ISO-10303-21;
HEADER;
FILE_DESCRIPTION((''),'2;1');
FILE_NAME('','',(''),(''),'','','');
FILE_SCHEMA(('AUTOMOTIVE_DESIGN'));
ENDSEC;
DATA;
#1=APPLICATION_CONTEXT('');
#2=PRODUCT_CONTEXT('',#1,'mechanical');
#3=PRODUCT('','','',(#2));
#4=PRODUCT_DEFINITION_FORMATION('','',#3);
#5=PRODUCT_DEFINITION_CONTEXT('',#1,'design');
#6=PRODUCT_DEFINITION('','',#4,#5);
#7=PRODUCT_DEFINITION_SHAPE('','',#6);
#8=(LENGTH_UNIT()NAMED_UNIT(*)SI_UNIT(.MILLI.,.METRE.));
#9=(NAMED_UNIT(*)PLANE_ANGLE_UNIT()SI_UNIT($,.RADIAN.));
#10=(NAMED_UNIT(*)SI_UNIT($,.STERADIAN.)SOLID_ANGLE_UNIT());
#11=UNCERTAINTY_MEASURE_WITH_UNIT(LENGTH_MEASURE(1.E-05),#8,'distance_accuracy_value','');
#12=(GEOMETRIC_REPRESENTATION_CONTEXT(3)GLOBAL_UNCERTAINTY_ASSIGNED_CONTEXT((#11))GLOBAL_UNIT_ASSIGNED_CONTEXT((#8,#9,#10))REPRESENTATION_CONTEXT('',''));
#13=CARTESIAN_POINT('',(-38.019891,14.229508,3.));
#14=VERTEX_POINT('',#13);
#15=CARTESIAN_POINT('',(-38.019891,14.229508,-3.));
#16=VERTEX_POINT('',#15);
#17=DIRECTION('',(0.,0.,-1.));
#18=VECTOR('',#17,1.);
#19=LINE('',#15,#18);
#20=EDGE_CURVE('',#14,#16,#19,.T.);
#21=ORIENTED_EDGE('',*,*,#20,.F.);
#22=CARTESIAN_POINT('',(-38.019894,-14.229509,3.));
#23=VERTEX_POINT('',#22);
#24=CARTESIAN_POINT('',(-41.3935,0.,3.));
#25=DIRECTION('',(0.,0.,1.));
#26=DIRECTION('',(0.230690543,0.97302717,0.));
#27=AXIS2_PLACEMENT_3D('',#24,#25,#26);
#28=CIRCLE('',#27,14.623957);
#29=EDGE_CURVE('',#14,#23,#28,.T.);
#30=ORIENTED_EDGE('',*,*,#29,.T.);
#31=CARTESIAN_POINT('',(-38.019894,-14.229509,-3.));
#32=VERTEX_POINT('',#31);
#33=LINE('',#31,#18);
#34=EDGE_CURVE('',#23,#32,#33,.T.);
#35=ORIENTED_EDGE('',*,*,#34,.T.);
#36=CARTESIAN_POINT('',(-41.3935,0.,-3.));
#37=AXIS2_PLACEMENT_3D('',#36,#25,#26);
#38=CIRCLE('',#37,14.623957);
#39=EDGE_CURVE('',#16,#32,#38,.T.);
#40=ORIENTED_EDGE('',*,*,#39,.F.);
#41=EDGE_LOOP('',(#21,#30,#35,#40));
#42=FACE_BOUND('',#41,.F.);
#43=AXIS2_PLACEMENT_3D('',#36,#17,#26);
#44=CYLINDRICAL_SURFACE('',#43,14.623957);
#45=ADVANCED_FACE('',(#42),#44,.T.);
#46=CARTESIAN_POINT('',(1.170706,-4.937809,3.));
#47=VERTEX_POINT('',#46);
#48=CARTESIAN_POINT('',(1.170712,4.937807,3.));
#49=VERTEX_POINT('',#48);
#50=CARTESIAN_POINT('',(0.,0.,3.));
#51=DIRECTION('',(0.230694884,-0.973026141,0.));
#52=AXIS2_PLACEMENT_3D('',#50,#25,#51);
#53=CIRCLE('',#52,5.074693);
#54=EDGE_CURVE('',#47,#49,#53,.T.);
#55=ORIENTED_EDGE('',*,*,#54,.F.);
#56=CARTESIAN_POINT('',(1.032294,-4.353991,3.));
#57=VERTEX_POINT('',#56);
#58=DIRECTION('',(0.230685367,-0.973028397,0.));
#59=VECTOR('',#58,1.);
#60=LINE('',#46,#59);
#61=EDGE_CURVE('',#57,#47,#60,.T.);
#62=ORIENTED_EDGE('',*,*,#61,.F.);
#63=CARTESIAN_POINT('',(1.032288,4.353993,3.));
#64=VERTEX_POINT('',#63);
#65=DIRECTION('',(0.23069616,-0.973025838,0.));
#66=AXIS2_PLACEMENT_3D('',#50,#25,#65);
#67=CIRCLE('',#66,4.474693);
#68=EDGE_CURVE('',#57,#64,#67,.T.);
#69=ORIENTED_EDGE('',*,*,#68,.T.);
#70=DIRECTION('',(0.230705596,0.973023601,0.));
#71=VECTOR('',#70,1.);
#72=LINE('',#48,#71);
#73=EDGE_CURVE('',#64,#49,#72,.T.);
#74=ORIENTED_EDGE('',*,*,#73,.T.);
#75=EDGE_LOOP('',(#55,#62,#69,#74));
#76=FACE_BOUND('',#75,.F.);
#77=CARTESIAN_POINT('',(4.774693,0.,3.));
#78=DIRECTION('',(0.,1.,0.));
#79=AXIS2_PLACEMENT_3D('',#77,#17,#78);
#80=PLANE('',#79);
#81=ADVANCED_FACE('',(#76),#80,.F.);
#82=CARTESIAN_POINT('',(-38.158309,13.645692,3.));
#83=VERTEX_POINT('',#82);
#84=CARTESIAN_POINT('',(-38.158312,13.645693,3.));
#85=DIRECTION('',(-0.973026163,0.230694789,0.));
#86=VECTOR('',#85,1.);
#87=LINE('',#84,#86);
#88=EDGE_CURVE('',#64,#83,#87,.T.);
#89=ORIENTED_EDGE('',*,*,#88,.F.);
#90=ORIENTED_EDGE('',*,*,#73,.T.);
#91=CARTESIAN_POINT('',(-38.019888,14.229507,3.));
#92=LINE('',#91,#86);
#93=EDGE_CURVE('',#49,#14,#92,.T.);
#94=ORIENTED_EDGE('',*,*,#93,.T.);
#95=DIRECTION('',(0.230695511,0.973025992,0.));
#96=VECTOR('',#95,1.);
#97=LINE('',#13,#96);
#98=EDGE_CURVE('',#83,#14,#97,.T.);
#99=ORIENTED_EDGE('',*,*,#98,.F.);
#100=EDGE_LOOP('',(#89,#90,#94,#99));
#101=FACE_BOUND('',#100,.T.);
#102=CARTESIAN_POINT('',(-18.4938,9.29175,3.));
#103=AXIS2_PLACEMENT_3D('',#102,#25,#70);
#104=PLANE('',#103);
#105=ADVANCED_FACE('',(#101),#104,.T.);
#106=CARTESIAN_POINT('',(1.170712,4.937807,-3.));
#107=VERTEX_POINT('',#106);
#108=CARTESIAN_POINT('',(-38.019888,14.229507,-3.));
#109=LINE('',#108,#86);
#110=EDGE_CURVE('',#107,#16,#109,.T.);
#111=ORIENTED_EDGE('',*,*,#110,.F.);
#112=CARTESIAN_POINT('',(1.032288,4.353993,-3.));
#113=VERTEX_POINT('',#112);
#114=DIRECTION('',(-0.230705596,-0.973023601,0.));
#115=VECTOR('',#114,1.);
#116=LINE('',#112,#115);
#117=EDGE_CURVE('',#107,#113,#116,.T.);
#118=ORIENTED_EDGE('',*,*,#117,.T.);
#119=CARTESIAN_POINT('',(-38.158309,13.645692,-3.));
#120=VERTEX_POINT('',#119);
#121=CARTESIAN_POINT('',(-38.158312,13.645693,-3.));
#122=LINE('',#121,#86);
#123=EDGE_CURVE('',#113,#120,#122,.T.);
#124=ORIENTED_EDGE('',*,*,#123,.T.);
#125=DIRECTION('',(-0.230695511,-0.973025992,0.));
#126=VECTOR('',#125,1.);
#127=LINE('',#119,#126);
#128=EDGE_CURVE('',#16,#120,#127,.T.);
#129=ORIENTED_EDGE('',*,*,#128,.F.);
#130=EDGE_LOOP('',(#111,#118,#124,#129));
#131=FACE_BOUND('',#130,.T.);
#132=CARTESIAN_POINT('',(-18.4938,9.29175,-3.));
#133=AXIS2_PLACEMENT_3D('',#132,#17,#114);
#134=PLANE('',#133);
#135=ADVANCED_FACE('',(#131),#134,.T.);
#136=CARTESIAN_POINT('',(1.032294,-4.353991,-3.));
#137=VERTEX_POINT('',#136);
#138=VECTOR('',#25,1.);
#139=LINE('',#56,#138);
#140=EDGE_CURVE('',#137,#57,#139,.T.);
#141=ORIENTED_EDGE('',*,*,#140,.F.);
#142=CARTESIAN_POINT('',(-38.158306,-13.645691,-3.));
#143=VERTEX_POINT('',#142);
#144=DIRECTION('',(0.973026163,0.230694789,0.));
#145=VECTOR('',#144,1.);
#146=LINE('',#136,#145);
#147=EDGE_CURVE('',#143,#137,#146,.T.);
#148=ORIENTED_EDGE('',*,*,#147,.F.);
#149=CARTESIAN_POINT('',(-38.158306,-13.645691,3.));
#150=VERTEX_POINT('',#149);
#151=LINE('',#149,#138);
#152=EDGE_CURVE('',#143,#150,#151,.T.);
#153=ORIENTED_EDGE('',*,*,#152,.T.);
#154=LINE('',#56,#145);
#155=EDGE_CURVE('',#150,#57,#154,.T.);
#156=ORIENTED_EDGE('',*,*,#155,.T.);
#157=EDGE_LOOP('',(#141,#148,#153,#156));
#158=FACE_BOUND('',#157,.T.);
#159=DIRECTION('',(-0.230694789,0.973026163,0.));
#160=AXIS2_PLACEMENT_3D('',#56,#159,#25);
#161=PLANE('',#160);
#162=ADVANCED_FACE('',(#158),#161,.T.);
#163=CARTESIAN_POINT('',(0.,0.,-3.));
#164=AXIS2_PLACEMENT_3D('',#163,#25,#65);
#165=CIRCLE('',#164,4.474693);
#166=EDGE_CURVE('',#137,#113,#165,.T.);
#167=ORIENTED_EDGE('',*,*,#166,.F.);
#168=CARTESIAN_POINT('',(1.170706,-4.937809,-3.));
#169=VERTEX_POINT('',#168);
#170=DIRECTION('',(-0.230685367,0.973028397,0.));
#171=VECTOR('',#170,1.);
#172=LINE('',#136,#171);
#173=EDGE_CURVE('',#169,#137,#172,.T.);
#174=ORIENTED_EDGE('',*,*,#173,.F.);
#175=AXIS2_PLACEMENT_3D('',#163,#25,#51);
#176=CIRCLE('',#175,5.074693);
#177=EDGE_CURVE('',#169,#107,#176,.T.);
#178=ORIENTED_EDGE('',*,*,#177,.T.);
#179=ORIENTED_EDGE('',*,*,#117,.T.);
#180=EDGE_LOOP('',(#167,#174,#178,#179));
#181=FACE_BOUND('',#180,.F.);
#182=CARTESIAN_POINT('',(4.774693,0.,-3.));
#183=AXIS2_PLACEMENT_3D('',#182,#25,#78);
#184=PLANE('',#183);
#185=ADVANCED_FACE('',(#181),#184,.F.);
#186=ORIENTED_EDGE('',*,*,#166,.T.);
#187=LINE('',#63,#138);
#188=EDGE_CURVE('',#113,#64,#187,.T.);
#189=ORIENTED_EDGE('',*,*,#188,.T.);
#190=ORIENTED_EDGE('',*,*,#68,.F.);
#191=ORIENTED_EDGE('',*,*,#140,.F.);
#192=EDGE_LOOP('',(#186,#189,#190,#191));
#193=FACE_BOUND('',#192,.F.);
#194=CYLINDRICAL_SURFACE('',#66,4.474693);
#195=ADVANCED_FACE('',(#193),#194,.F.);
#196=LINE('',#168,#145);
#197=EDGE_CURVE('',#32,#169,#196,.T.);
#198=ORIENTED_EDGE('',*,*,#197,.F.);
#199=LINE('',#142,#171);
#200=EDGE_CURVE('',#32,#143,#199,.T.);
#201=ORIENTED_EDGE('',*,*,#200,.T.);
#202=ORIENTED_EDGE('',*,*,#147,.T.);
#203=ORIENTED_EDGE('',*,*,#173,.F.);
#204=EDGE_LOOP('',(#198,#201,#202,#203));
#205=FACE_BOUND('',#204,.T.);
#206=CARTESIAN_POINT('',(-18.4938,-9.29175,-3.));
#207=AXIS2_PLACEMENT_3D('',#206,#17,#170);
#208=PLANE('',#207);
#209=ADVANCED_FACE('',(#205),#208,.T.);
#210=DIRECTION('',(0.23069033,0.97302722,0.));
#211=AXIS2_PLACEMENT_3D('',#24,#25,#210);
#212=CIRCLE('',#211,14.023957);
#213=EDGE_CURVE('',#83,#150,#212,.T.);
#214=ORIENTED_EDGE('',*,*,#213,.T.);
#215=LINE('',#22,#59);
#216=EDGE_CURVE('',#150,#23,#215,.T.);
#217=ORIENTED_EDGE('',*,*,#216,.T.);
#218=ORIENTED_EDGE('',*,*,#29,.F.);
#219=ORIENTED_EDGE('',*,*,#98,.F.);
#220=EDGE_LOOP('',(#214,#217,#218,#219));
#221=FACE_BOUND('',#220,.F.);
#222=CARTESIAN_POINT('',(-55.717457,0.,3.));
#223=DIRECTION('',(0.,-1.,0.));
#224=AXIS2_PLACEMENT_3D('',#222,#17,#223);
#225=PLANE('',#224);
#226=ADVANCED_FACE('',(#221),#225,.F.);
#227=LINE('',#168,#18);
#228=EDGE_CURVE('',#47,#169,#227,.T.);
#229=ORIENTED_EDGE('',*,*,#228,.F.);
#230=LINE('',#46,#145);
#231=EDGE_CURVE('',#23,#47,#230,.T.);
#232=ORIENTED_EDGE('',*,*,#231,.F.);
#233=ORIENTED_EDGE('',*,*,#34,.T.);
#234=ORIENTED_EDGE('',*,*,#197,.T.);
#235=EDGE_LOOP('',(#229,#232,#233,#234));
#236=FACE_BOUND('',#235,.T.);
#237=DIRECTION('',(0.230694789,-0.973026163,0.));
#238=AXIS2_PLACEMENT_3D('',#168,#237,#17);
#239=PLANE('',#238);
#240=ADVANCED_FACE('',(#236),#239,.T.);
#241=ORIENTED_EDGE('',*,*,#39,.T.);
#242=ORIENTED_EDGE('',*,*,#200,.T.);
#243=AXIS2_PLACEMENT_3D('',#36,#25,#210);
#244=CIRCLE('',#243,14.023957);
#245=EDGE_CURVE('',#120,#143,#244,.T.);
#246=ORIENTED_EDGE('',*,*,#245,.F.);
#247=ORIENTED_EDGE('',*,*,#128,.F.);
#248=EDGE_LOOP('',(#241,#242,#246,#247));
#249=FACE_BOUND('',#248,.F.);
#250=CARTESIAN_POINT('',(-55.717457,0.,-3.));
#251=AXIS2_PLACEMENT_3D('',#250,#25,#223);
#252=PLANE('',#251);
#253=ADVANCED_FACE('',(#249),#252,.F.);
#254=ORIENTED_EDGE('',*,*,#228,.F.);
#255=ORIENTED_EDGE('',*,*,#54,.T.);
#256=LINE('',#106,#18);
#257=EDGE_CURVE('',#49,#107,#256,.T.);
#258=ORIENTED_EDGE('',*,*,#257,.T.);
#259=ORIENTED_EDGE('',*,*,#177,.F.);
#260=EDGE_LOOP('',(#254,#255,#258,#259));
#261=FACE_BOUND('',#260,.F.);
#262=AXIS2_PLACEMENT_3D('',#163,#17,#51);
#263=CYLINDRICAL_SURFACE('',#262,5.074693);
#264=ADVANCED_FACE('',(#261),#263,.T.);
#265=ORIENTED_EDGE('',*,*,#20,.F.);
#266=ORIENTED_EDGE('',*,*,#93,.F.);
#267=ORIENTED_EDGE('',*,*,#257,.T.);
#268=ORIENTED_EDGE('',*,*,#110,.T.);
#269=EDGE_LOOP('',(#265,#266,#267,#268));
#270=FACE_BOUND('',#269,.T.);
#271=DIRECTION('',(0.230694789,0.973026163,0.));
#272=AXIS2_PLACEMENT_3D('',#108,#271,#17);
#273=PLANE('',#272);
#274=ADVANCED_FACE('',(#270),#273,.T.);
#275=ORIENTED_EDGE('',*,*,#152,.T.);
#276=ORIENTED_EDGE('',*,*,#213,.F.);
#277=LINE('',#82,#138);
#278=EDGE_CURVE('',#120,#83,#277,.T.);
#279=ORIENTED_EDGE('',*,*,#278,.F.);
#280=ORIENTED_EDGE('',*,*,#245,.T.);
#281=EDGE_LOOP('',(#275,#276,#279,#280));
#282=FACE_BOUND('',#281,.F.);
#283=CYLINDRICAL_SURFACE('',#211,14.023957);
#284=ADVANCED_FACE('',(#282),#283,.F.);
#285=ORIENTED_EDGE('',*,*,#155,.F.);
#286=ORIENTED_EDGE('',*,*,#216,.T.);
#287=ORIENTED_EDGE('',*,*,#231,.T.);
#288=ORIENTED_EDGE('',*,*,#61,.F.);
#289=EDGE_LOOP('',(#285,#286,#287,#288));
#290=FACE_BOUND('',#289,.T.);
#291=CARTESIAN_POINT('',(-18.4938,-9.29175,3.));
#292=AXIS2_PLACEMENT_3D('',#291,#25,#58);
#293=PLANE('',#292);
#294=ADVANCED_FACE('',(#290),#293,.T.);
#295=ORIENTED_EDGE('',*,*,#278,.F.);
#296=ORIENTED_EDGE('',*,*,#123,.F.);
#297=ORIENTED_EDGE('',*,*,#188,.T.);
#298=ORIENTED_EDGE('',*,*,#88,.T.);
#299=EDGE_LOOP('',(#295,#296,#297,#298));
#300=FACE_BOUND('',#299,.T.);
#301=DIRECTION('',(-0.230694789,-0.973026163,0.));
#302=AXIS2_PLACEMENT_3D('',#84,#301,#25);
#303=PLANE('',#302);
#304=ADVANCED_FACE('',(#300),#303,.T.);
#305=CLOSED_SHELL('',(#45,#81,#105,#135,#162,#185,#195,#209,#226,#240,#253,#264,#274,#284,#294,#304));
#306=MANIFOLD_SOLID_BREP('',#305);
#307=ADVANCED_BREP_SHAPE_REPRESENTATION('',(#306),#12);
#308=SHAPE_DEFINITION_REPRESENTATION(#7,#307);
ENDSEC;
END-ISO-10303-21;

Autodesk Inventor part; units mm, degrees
sketch "Sketch Path" plane through (0, 0, 0) normal (0, 0, 1) x (1, 0, 0)
  arc A0 (1.1015, -4.6459) -> (1.1015, 4.6459) centre (0, 0) ccw
  arc A1 (-38.0891, 13.9376) -> (-38.0891, -13.9376) centre (-41.3935, 0) ccw
  line L0 (-38.0891, 13.9376) -> (1.1015, 4.6459)
  line L1 (1.1015, -4.6459) -> (-38.0891, -13.9376)
ref_plane "Cross Section Plane" through (1.1015, 4.6459, 0) normal (-0.973, 0.2307, 0) x (0, 0, 1)
ref_plane "Work Plane2" through (0, 0, 0) normal (-1, 0, 0) x (0, 0, 1)
ref_plane "Work Plane3" through (-41.3935, 0, 0) normal (0.9848, 0.1736, 0) x (0, 0, 1)
sketch "Cross Section" plane through (1.1015, 4.6459, 0) normal (-0.973, 0.2307, 0) x (0, 0, 1)
  line L0 (-3, 0.3) -> (3, 0.3)
  line L1 (3, 0.3) -> (3, -0.3)
  line L2 (3, -0.3) -> (-3, -0.3)
  line L3 (-3, -0.3) -> (-3, 0.3)
  line L4 (-3, 0) -> (3, 0) construction
  point P0 (0, 0)
  point P1 (0, 0)
  dimension "d0" = 6
  dimension "d4" = 0.3
  dimension "d5" = 0.3
sweep "Belt" add profiles "Cross Section" path "Sketch Path"
equation "\"d0\" = da_B"
equation "\"d4\" = da_a"
equation "\"d5\" = da_a2"
equation "\"da_B\" = 6"
equation "\"da_pb\" = 2.5"
equation "\"da_L\" = 145"
equation "\"da_a\" = 0.3"
equation "\"da_S\" = 1.5"
equation "\"da_Beta\" = 20deg"
equation "\"da_Ht\" = 0.7"
equation "\"da_H\" = 1.3"
equation "\"da_a2\" = 0.3"
properties part number "Synchronous Belt" material "Rubber"
